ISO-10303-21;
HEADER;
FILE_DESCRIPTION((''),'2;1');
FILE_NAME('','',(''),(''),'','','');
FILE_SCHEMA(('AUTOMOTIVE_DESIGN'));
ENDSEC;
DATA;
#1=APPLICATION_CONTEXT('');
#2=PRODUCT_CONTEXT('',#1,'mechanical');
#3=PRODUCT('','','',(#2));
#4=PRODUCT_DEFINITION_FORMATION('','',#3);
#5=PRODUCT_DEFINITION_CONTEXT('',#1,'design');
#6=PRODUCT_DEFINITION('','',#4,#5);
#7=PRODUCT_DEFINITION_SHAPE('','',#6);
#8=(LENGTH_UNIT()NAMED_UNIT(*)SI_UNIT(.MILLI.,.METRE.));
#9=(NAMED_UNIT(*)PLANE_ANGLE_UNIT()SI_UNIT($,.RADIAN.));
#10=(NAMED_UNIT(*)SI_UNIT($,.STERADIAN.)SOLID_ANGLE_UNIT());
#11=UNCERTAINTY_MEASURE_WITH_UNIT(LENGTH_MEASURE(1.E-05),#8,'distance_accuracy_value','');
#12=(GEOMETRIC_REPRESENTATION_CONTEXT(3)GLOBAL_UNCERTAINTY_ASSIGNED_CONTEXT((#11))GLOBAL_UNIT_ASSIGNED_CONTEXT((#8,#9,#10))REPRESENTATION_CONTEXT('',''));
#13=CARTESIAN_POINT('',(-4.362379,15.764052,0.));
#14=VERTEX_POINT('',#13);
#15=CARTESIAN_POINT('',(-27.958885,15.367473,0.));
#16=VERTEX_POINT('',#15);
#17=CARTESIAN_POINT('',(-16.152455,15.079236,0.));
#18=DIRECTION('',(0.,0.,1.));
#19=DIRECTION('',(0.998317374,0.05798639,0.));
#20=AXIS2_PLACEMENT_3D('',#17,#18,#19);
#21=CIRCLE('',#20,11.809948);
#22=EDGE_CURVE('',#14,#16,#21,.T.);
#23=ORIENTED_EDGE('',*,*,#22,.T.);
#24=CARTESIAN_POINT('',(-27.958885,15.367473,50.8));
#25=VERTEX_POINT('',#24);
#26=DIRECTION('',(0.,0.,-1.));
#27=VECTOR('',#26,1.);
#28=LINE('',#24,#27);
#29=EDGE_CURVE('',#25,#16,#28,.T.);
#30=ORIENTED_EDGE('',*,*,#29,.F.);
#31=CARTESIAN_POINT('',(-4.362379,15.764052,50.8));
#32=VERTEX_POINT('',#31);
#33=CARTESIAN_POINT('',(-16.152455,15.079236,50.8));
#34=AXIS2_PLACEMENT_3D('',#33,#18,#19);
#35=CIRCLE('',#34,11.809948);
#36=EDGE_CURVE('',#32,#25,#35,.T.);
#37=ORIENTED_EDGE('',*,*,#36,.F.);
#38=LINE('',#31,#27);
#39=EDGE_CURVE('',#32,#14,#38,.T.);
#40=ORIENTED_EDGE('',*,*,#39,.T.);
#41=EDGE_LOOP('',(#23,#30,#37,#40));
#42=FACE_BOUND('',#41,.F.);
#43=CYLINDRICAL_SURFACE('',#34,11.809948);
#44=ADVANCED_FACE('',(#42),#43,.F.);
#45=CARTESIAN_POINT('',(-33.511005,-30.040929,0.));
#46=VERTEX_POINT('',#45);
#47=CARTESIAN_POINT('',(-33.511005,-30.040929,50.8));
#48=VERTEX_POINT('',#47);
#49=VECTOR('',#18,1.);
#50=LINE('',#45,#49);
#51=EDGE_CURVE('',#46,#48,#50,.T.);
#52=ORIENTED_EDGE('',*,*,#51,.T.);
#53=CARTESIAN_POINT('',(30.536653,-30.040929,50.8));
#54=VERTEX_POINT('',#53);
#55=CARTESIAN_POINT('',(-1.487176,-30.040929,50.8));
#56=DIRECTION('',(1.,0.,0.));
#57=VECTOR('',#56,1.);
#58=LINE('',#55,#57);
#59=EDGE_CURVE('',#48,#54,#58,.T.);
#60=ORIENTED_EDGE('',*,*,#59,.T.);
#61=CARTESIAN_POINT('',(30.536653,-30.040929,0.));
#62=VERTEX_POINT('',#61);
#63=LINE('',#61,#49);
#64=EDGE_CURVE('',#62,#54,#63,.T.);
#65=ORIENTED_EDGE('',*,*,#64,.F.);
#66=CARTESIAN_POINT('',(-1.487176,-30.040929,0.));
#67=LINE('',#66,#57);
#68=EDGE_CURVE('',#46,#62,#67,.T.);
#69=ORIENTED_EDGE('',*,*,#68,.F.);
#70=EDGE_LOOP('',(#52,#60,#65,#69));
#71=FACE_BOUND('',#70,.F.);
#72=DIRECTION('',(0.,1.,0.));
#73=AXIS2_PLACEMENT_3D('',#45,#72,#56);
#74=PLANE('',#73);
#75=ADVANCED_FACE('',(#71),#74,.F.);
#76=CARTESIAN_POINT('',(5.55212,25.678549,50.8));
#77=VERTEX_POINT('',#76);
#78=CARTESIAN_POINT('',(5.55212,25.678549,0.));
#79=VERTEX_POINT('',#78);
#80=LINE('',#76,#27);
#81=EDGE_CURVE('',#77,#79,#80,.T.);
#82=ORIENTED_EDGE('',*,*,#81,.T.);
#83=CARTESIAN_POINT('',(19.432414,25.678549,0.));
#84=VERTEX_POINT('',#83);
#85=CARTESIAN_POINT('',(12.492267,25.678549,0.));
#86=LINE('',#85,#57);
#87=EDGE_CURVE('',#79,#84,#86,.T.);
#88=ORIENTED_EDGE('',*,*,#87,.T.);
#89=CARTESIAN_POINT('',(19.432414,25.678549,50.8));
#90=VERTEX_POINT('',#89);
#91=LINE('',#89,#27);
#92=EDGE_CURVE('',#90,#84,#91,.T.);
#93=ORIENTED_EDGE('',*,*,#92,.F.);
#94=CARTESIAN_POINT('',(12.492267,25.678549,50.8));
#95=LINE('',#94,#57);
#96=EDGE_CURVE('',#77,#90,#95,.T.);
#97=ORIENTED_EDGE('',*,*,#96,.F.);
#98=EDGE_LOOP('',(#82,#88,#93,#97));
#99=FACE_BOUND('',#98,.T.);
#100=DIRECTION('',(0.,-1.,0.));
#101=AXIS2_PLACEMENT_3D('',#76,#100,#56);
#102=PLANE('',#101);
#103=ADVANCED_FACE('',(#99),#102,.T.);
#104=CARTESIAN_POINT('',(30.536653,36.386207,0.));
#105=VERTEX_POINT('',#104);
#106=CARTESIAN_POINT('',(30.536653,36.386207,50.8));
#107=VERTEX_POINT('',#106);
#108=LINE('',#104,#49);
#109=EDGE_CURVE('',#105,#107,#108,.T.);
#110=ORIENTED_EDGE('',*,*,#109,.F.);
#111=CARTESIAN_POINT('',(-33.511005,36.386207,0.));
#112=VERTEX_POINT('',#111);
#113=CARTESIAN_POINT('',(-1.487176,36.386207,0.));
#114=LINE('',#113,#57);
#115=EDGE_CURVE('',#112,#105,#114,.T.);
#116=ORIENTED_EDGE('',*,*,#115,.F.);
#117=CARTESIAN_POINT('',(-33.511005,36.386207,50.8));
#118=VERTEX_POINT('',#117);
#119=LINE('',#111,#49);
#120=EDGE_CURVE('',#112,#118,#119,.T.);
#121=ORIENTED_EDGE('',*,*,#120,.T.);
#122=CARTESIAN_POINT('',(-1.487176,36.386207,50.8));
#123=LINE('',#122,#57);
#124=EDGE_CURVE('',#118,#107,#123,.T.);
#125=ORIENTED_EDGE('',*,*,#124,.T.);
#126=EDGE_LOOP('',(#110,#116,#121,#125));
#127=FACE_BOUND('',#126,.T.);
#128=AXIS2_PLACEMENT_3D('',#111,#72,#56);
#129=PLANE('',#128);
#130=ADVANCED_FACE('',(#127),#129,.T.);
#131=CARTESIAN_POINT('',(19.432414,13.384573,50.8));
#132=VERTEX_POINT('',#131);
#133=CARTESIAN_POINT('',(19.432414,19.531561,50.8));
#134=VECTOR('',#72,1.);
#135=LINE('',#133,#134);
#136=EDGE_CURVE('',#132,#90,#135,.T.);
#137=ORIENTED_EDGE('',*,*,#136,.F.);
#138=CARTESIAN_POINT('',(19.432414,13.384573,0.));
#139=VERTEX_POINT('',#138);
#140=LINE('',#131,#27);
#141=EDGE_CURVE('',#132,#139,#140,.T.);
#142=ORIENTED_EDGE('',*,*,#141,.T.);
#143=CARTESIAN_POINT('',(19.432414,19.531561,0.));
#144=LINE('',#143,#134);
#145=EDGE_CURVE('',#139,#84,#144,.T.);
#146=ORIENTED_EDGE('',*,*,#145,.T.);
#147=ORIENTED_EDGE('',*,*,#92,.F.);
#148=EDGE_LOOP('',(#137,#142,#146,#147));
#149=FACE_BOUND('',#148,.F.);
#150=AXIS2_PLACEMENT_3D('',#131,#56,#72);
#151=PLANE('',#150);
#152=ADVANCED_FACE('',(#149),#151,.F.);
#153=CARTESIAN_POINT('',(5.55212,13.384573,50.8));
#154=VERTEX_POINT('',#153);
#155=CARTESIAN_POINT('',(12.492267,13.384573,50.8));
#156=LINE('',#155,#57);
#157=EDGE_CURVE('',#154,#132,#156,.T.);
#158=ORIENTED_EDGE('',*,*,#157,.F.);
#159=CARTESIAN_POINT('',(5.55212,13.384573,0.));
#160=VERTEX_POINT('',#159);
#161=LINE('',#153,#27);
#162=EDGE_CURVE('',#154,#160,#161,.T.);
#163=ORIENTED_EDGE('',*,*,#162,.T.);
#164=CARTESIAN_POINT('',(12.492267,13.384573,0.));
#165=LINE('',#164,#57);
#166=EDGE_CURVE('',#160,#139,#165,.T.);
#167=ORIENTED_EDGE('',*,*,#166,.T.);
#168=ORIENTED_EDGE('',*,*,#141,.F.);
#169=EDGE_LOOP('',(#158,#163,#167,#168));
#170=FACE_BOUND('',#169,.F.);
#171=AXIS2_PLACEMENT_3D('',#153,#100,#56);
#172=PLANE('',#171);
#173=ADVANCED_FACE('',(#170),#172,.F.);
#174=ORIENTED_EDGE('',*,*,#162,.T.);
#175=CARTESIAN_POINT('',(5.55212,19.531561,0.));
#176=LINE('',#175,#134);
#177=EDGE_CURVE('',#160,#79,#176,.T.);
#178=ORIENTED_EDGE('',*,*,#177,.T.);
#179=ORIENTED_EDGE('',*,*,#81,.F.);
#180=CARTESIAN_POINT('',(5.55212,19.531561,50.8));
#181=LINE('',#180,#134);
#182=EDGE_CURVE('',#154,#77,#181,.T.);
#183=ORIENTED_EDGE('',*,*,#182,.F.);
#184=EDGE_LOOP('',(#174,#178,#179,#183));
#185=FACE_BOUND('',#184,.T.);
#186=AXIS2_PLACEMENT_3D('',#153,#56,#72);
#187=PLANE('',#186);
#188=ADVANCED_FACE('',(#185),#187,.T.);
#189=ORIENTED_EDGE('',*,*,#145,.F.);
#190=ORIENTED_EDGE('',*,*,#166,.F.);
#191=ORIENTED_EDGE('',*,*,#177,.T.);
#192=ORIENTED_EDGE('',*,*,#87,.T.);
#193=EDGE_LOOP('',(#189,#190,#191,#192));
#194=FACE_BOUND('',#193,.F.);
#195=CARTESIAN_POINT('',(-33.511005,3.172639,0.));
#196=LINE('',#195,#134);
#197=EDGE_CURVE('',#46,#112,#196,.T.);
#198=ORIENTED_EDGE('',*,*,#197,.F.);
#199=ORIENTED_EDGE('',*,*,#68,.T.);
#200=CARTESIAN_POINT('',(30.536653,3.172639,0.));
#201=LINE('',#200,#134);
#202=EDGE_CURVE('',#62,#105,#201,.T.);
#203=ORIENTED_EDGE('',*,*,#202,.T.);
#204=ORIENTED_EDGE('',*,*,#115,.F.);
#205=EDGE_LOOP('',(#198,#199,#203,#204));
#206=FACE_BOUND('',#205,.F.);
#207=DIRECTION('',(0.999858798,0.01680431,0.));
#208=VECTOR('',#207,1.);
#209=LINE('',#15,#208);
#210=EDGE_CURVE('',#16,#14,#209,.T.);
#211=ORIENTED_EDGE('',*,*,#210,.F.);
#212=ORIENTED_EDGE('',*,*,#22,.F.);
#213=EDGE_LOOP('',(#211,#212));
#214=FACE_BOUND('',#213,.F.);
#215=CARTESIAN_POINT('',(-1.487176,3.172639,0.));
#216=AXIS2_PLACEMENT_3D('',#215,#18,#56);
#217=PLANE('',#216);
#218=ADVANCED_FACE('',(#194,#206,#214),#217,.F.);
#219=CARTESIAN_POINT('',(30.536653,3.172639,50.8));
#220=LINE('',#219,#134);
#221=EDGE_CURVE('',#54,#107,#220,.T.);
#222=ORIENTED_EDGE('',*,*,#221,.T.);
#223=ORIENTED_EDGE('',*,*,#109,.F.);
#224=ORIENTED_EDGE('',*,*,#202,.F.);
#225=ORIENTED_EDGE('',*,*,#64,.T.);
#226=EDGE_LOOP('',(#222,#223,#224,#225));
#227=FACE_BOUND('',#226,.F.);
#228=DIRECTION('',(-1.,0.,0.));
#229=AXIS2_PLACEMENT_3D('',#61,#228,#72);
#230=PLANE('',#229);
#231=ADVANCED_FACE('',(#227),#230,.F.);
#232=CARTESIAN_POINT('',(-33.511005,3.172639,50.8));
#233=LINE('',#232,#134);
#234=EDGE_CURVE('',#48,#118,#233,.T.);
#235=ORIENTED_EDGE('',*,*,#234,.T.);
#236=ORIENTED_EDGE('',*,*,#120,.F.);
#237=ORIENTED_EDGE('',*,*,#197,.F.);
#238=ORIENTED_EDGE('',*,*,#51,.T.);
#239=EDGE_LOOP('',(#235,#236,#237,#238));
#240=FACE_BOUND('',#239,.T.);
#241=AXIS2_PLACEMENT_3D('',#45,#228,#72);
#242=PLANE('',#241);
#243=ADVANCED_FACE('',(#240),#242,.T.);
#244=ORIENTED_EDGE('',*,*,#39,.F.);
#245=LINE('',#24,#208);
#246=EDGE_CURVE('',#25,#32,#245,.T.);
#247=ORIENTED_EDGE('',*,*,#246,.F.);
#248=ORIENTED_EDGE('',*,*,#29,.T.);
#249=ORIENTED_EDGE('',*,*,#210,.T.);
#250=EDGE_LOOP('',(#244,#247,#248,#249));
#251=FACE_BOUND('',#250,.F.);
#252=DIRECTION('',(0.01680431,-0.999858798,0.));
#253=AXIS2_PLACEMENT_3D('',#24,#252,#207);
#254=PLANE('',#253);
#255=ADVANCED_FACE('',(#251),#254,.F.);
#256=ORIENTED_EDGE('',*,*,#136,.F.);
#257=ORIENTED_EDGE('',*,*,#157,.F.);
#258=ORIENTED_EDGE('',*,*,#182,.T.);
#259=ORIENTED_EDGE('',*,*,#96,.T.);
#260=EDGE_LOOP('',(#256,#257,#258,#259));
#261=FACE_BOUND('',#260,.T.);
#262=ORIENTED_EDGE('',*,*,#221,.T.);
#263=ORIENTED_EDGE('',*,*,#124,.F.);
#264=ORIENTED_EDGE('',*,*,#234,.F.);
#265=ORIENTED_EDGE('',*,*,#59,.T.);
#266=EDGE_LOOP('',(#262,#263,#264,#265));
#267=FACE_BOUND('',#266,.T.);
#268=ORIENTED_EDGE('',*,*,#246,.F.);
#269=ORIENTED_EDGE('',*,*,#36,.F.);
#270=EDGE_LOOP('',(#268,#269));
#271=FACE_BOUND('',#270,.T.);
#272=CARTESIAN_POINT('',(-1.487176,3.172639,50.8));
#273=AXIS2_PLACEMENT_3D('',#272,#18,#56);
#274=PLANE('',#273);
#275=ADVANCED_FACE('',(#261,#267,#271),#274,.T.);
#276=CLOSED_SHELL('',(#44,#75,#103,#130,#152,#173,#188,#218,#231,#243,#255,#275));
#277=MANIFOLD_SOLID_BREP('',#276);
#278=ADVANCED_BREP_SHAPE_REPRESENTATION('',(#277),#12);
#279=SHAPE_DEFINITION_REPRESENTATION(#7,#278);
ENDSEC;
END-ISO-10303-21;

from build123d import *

# Parameters (mm, degrees)
F0_W     = 64.047658
F0_H     = 66.427136
F1_DEPTH = 50.8
F2_W     = 13.880294
F2_H     = 12.293976
F3_DEPTH = 50.8
F5_DEPTH = 50.8


with BuildPart() as f1:
    # F0 (on Top) → F1 (new body)
    with BuildSketch(Plane.XY):
        with Locations((-1.487176, 3.172639)):
            Rectangle(F0_W, F0_H)
    extrude(amount=F1_DEPTH)

    # F2 (on face) → F3 (cut)
    with BuildSketch(Plane.XY.offset(50.8)):
        with Locations((12.492267, 19.531561)):
            Rectangle(F2_W, F2_H)
    extrude(amount=-F3_DEPTH, mode=Mode.SUBTRACT)

    # F4 (on face) → F5 (cut)
    with BuildSketch(Plane.XY.offset(50.8)):
        with BuildLine():
            Line((-27.958885, 15.367473), (-4.362379, 15.764052))
            ThreePointArc((-4.362379, 15.764052), (-16.350913, 26.887516), (-27.958885, 15.367473))
        make_face()
    extrude(amount=-F5_DEPTH, mode=Mode.SUBTRACT)


solid = f1.part
